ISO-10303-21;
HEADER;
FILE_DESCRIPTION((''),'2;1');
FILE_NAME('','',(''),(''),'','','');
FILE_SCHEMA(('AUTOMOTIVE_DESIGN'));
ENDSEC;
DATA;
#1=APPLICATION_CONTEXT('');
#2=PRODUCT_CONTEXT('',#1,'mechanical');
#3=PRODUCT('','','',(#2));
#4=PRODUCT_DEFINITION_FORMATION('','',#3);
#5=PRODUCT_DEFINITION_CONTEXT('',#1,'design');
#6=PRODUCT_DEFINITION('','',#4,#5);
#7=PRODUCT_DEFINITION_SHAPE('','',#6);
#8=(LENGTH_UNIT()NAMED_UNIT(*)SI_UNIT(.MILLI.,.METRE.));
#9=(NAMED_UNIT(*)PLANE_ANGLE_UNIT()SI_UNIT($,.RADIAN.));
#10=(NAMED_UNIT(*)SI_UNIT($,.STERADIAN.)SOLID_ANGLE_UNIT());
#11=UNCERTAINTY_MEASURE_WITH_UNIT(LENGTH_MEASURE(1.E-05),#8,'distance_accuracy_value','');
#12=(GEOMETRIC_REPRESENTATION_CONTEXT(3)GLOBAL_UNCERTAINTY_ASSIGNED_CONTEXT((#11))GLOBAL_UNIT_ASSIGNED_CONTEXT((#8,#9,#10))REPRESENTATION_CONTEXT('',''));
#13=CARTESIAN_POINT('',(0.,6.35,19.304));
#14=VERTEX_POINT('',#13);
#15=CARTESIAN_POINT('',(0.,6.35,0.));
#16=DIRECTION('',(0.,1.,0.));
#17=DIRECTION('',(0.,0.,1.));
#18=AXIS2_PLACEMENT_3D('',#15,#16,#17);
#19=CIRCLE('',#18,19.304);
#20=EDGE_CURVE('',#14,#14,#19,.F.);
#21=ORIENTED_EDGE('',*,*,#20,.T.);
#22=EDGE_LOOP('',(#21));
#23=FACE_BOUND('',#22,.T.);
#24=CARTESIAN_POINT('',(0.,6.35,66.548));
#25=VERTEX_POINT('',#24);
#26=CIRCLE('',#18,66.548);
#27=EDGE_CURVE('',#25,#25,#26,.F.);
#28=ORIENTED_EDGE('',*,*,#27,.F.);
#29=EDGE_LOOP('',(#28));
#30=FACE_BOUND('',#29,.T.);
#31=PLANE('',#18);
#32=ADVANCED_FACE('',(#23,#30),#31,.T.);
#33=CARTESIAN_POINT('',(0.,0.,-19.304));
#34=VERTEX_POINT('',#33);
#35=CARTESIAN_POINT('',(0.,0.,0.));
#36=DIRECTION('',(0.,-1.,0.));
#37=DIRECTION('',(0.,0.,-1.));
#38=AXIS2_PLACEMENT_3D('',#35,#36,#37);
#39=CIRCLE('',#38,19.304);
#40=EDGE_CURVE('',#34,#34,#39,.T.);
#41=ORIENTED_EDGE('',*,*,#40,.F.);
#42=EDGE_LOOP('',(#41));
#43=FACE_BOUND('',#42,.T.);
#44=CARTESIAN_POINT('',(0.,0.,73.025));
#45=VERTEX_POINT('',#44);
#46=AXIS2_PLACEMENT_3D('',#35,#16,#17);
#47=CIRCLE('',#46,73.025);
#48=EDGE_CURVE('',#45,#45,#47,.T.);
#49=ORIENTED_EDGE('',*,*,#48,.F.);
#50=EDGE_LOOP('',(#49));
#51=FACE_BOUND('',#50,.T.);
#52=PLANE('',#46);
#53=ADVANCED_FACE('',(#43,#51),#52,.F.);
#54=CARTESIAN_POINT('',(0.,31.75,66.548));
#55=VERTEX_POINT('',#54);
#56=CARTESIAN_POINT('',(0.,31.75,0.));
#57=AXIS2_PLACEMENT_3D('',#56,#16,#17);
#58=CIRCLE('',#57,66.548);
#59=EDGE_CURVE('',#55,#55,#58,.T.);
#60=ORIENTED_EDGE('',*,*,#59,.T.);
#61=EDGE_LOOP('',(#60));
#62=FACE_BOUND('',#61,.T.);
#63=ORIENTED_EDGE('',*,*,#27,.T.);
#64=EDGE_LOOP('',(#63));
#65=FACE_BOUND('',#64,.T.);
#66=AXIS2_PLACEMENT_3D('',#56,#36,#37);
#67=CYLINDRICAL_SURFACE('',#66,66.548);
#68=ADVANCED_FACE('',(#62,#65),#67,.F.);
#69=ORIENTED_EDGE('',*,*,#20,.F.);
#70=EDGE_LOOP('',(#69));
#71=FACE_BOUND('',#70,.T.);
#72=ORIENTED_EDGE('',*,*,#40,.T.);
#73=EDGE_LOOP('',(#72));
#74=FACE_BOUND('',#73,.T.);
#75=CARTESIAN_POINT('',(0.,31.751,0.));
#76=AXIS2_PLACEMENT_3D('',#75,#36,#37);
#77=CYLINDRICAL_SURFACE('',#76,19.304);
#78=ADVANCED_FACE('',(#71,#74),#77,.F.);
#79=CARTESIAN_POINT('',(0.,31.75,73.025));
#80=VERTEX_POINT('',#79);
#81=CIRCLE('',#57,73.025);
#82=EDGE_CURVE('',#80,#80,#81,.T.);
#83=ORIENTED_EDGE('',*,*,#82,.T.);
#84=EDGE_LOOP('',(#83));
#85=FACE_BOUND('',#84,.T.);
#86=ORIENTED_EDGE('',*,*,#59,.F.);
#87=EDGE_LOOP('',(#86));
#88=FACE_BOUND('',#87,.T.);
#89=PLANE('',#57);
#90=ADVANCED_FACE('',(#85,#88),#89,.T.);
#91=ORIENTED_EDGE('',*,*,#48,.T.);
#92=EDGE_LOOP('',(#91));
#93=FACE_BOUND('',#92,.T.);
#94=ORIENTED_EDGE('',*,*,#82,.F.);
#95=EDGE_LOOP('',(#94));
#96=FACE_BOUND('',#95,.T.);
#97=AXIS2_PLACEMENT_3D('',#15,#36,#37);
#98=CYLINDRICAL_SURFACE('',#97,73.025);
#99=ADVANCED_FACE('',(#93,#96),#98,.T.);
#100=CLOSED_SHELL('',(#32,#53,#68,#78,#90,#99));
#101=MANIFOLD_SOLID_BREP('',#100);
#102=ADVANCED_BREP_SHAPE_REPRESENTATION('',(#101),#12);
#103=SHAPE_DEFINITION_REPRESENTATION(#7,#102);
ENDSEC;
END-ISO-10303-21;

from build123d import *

# Parameters (mm, degrees)
SKETCH1_R           = 73.025
BOSS_EXTRUDE1_DEPTH = 6.35
SKETCH2_R           = 73.025
SKETCH2_R_2         = 66.548
BOSS_EXTRUDE2_DEPTH = 25.4
CUT_EXTRUDE1_REACH  = 110.043
SKETCH3_R           = 19.304


with BuildPart() as part:
    # Sketch1 → Boss-Extrude1 (new body)
    with BuildSketch(Plane(origin=(0, 0, 0), x_dir=(1, 0, 0), z_dir=(0, 1, 0))):
        with Locations(Location((0, 0, 0), (0, 0, 270))):
            Circle(SKETCH1_R)
    extrude(amount=BOSS_EXTRUDE1_DEPTH)

    # Sketch2 → Boss-Extrude2 (add)
    with BuildSketch(Plane(origin=(0, 6.35, 0), x_dir=(1, 0, 0), z_dir=(0, 1, 0))):
        with Locations(Location((0, 0, 0), (0, 0, 270))):
            Circle(SKETCH2_R)
        with Locations(Location((0, 0, 0), (0, 0, 270))):
            Circle(SKETCH2_R_2, mode=Mode.SUBTRACT)
    extrude(amount=BOSS_EXTRUDE2_DEPTH)

    # Sketch3 → Cut-Extrude1 (cut, up to next)
    with BuildSketch(Plane.XZ, mode=Mode.PRIVATE) as cut_extrude1_sk1:
        with Locations(Location((0, 0, 0), (0, 0, 270))):
            Circle(SKETCH3_R)
    cut_extrude1_tool1 = extrude(cut_extrude1_sk1.sketch, amount=-CUT_EXTRUDE1_REACH, mode=Mode.PRIVATE) & part.part
    add(cut_extrude1_tool1.solids().sort_by_distance((0, 0, 0))[0], mode=Mode.SUBTRACT)


solid = part.part
